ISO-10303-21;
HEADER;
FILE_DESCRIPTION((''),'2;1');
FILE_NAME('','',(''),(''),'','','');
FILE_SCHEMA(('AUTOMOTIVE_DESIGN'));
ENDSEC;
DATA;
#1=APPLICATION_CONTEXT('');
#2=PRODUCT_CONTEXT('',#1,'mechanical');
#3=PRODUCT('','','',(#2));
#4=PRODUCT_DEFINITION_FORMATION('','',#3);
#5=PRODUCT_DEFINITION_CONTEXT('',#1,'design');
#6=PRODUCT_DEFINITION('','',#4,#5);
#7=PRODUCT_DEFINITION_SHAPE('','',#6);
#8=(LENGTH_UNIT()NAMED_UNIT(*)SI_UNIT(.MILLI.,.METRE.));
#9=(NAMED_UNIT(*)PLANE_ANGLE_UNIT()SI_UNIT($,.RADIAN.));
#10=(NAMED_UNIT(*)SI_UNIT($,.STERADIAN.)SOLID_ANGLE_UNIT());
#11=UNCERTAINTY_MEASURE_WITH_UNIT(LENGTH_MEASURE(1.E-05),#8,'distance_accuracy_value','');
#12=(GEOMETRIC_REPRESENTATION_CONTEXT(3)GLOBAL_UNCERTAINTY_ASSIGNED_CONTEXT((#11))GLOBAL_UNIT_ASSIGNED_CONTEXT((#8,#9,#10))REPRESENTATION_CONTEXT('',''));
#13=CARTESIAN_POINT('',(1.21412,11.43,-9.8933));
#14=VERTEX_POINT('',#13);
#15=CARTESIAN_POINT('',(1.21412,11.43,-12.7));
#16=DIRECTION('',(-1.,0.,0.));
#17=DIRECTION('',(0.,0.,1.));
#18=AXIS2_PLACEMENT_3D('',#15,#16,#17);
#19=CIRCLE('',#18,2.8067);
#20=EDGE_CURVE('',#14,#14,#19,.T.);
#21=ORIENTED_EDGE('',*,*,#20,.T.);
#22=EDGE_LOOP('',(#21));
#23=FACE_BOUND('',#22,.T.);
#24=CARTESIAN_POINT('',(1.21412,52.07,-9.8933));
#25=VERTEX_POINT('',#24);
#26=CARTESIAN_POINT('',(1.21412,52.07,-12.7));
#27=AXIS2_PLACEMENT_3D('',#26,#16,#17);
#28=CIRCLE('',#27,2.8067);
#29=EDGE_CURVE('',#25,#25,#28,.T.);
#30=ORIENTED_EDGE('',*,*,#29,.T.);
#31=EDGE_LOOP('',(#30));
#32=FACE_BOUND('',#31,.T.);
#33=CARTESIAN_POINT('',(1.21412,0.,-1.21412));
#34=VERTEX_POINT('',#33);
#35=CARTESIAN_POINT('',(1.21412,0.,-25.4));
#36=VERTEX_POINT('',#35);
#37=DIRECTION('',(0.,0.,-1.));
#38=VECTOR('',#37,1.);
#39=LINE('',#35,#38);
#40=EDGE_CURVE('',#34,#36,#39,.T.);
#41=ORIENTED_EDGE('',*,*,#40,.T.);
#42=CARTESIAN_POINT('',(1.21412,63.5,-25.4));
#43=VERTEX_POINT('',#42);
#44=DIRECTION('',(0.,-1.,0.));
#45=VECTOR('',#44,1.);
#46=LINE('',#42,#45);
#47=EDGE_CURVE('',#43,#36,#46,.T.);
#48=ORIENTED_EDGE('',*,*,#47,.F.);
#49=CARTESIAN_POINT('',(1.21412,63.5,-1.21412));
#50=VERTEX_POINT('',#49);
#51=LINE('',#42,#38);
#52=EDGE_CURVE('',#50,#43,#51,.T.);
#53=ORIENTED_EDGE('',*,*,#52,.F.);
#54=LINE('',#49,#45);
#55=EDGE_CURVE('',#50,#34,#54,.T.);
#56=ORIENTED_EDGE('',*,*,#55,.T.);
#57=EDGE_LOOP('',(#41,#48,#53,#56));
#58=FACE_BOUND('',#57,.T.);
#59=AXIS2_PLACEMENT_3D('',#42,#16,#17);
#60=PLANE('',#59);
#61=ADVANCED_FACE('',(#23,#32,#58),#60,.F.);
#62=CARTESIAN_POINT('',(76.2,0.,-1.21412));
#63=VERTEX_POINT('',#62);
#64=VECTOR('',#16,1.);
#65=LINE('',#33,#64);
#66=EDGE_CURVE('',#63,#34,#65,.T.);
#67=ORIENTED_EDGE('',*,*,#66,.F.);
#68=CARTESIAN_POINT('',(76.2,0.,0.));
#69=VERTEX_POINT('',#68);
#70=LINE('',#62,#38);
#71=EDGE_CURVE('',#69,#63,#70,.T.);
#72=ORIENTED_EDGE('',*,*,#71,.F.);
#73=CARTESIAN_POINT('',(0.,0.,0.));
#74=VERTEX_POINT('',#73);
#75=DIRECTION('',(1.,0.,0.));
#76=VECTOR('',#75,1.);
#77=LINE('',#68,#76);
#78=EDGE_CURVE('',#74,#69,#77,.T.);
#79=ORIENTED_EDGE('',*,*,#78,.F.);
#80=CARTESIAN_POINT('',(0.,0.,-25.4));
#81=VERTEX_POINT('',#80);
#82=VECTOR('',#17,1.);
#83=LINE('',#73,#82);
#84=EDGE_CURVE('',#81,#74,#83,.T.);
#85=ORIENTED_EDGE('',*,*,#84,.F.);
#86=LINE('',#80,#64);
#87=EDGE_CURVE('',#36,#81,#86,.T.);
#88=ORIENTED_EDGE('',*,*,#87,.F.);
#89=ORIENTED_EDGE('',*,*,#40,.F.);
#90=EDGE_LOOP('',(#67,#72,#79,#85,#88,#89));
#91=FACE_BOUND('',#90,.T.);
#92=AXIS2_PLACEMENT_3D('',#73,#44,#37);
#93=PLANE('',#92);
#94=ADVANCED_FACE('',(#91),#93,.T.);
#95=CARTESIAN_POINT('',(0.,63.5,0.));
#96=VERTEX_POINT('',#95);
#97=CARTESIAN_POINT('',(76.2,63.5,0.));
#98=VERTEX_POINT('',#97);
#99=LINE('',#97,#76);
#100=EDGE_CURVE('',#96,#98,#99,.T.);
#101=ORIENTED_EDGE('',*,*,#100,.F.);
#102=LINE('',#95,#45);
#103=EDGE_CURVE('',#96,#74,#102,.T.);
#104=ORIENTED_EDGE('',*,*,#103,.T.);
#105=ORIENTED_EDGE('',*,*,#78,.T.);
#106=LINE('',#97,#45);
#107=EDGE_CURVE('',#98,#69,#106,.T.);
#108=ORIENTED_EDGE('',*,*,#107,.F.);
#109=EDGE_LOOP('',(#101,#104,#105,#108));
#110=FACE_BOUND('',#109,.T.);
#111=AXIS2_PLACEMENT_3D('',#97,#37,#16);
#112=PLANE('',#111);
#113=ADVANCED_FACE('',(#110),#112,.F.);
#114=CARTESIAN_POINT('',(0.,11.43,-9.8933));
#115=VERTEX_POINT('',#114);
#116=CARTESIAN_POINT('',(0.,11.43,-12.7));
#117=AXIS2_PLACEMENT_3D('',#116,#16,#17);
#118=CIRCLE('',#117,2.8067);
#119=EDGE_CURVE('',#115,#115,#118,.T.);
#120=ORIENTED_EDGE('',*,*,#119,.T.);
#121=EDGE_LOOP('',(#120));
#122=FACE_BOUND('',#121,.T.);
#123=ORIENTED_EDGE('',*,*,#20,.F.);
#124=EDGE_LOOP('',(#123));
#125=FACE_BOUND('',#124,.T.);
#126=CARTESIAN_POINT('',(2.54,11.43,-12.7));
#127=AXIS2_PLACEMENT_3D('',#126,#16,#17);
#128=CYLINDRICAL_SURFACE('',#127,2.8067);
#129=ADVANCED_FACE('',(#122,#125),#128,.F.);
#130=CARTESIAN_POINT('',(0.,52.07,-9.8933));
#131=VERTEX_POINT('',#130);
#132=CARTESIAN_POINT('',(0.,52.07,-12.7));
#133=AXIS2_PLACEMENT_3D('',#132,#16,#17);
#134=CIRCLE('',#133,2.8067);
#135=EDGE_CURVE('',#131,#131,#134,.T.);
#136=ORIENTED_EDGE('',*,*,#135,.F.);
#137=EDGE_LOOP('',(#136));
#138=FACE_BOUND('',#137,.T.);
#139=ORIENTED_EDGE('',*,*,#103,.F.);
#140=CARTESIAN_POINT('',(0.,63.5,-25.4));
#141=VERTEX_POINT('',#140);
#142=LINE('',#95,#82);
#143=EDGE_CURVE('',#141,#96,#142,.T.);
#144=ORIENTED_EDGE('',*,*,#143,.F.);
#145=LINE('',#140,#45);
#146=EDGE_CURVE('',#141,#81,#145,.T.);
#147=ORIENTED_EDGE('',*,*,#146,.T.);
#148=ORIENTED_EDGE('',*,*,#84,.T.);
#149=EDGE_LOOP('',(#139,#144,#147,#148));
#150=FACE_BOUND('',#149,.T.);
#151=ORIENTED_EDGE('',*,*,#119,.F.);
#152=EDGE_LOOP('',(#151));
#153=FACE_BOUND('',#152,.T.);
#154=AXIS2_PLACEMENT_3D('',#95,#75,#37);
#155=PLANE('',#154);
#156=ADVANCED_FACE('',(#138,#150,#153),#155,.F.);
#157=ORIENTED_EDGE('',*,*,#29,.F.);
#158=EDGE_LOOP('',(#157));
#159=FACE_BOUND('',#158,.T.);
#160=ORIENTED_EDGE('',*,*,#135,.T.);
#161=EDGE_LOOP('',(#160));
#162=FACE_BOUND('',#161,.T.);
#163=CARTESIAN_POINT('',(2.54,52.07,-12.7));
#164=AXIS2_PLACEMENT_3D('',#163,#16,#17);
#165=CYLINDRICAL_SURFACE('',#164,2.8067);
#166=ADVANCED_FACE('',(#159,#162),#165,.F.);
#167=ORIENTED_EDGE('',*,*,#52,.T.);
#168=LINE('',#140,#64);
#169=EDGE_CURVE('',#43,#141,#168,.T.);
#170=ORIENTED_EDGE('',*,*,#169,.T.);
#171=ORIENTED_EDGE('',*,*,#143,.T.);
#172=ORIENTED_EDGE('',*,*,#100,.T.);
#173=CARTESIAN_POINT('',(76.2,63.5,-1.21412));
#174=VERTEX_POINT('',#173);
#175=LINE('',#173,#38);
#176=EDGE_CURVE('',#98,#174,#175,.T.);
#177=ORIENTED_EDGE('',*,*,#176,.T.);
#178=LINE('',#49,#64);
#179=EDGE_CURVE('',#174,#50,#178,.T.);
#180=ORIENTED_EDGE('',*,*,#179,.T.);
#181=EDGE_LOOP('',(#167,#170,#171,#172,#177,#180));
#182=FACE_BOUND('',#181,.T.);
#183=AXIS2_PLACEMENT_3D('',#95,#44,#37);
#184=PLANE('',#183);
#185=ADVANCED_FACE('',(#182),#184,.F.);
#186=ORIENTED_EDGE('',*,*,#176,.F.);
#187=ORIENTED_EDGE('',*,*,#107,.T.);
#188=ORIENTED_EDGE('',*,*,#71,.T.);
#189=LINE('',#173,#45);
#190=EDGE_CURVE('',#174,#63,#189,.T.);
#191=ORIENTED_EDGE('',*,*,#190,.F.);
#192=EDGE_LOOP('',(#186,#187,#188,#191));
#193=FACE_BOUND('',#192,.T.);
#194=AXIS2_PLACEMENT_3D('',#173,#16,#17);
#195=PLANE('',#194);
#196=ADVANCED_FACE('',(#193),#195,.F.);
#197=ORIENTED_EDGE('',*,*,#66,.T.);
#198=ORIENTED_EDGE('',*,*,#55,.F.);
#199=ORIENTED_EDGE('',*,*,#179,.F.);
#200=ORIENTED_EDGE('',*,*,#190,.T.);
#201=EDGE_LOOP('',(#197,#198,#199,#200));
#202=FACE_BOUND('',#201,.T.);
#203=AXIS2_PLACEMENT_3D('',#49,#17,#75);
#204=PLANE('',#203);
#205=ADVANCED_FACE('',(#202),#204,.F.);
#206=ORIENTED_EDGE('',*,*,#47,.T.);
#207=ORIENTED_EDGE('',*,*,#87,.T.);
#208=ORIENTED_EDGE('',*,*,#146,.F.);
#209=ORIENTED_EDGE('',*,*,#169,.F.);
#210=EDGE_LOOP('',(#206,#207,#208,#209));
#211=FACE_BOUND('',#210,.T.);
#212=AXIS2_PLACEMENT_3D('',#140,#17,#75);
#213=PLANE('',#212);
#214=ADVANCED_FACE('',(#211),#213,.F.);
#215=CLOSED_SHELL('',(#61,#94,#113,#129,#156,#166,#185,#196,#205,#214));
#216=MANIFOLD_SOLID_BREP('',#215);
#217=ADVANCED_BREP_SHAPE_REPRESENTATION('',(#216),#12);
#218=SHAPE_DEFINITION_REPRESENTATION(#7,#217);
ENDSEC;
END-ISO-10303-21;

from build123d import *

# Parameters (mm, degrees)
BOSS_EXTRUDE1_DEPTH = 63.5
SKETCH3_R           = 2.8067
CUT_EXTRUDE1_DEPTH  = 2.54


with BuildPart() as part:
    # Sketch2 → Boss-Extrude1 (new body)
    with BuildSketch(Plane(origin=(0, 0, 0), x_dir=(1, 0, 0), z_dir=(0, 1, 0))):
        Polygon((0, 0), (0, 25.4), (1.21412, 25.4), (1.21412, 1.21412), (76.2, 1.21412), (76.2, 0), align=None)
    extrude(amount=BOSS_EXTRUDE1_DEPTH)

    # Sketch3 → Cut-Extrude1 (cut)
    with BuildSketch(Plane.ZY):
        with Locations((-12.7, 52.07)):
            Circle(SKETCH3_R)
        with Locations((-12.7, 11.43)):
            Circle(SKETCH3_R)
    extrude(amount=-CUT_EXTRUDE1_DEPTH, mode=Mode.SUBTRACT)


solid = part.part
